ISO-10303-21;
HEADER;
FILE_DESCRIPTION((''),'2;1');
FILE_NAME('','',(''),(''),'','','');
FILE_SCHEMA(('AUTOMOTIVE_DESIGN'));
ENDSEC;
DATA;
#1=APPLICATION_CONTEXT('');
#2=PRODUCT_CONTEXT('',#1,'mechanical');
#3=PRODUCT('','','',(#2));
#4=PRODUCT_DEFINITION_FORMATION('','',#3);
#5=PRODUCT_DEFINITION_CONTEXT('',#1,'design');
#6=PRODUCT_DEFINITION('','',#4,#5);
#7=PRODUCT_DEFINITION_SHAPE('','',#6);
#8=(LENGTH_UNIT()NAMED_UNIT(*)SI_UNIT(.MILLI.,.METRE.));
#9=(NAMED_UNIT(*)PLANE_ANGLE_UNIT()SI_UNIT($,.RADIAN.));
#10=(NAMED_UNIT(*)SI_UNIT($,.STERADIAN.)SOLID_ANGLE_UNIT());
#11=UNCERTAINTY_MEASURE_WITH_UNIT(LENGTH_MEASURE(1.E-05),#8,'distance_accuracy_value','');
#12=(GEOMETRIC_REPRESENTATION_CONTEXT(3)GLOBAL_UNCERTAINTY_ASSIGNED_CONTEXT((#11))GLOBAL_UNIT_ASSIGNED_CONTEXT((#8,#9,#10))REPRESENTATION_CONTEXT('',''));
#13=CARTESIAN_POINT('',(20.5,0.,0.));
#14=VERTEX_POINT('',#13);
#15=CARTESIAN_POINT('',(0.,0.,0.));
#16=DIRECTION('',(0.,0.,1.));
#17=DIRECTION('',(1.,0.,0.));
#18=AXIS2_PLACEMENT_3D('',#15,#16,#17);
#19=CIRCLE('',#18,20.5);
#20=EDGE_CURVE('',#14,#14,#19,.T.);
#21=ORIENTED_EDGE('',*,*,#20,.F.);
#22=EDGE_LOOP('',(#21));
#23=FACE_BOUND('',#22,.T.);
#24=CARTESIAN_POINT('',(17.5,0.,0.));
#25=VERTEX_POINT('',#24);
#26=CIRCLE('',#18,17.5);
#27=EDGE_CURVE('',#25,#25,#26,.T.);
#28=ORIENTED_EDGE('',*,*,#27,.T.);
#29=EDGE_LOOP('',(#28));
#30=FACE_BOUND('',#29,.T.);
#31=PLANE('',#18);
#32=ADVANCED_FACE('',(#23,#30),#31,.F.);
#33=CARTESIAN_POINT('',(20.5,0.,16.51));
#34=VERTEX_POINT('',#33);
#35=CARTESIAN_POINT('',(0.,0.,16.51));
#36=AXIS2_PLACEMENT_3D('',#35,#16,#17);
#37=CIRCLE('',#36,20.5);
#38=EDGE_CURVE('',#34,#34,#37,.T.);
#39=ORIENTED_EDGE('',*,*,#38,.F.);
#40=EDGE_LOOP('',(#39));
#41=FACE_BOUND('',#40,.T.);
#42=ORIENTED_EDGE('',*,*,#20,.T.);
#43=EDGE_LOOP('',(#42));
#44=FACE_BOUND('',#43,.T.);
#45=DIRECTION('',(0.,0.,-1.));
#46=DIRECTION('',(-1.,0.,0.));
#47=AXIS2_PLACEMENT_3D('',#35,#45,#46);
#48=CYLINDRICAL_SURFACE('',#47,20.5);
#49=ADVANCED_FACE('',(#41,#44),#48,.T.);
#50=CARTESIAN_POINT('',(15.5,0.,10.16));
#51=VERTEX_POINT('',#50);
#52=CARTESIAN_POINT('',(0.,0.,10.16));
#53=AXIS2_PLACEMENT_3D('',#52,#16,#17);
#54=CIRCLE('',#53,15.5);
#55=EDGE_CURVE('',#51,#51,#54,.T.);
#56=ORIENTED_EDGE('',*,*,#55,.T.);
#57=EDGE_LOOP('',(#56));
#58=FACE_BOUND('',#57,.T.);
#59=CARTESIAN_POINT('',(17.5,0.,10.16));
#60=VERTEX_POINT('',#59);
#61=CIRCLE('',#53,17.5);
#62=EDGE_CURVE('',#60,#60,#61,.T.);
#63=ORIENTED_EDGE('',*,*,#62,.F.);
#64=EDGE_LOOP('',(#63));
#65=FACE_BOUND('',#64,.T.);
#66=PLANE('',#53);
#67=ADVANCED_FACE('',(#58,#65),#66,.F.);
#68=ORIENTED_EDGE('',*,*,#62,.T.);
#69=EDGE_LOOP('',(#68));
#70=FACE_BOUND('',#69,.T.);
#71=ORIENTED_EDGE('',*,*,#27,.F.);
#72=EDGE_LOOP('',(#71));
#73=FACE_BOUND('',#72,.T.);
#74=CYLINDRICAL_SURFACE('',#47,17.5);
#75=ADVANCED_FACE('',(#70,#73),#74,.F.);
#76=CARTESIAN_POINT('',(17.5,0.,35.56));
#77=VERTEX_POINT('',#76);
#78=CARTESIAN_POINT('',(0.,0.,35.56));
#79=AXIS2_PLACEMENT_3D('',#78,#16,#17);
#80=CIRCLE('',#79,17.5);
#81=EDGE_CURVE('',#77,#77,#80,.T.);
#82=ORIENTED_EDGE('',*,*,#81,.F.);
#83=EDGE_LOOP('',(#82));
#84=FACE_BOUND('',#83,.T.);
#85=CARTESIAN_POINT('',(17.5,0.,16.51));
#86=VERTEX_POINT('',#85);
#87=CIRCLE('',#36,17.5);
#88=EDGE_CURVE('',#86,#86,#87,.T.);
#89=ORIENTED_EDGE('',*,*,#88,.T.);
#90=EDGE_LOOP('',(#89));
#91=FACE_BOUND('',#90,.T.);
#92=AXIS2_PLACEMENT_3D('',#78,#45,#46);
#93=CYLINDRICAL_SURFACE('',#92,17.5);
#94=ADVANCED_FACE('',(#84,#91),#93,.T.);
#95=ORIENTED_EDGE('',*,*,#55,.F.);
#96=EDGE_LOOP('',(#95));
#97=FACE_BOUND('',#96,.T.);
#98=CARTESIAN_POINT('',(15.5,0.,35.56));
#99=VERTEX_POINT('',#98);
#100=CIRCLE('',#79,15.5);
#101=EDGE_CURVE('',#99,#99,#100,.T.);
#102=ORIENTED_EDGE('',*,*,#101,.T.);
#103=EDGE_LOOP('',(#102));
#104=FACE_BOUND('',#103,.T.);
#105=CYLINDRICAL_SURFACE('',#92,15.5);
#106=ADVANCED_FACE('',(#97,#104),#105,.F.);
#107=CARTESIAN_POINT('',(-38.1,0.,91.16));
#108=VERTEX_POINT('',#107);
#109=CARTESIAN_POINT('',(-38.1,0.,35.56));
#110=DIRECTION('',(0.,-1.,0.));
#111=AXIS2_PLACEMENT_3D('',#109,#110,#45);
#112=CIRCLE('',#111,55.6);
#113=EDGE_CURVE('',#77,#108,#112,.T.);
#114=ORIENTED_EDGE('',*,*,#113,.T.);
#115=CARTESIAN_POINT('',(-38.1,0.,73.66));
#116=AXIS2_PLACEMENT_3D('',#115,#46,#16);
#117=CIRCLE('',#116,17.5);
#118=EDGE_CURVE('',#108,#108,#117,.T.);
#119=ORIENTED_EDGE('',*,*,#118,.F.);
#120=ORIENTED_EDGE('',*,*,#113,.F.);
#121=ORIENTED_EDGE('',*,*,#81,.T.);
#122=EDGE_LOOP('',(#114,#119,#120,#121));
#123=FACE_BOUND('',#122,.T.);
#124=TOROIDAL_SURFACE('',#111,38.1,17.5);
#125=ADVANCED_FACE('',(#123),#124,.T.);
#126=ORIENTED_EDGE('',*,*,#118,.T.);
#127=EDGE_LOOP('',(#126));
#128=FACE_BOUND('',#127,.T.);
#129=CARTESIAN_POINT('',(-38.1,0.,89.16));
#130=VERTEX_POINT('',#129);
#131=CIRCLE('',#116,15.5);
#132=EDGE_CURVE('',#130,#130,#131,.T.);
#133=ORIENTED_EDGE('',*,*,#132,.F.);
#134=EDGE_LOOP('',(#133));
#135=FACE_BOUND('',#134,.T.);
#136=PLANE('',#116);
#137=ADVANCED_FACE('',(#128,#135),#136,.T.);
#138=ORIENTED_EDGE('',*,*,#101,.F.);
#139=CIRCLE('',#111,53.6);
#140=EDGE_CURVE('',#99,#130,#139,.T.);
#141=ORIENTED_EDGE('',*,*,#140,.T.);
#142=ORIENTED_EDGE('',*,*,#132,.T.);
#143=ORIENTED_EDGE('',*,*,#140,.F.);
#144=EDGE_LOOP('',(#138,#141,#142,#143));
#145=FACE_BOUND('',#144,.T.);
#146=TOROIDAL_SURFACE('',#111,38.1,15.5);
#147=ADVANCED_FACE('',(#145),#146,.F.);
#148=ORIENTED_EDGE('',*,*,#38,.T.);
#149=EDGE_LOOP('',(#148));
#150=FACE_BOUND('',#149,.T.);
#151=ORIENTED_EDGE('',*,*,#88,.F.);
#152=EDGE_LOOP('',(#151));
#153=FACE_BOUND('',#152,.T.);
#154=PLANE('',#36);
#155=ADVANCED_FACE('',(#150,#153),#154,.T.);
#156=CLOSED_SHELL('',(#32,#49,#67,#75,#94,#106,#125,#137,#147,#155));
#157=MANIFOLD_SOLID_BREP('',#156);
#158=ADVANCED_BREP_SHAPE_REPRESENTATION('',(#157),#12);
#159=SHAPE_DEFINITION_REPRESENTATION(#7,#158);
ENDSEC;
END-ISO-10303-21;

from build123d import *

# Parameters (mm, degrees)
SKETCH1_R           = 20.5
SKETCH1_R_2         = 17.5
BOSS_EXTRUDE1_DEPTH = 16.51
SKETCH4_R           = 17.5
SKETCH4_R_2         = 15.5


with BuildPart() as part:
    # Sketch1 → Boss-Extrude1 (new body)
    with BuildSketch(Plane.XY):
        Circle(SKETCH1_R)
        Circle(SKETCH1_R_2, mode=Mode.SUBTRACT)
    extrude(amount=BOSS_EXTRUDE1_DEPTH)

    # Sweep3: sweep along a path in Sketch5
    with BuildLine(Plane(origin=(0, 0, 0), x_dir=(1, 0, 0), z_dir=(0, 1, 0))) as sweep3_path:
        Line((0, -10.16), (0, -35.56))
        ThreePointArc((0, -35.56), (-11.159231637, -62.500768363), (-38.1, -73.66))
    # Sketch4 → Sweep3 (sweep)
    with BuildSketch(Plane.XY.offset(10.16)):
        Circle(SKETCH4_R)
        Circle(SKETCH4_R_2, mode=Mode.SUBTRACT)
    sweep(path=sweep3_path.line)


solid = part.part
